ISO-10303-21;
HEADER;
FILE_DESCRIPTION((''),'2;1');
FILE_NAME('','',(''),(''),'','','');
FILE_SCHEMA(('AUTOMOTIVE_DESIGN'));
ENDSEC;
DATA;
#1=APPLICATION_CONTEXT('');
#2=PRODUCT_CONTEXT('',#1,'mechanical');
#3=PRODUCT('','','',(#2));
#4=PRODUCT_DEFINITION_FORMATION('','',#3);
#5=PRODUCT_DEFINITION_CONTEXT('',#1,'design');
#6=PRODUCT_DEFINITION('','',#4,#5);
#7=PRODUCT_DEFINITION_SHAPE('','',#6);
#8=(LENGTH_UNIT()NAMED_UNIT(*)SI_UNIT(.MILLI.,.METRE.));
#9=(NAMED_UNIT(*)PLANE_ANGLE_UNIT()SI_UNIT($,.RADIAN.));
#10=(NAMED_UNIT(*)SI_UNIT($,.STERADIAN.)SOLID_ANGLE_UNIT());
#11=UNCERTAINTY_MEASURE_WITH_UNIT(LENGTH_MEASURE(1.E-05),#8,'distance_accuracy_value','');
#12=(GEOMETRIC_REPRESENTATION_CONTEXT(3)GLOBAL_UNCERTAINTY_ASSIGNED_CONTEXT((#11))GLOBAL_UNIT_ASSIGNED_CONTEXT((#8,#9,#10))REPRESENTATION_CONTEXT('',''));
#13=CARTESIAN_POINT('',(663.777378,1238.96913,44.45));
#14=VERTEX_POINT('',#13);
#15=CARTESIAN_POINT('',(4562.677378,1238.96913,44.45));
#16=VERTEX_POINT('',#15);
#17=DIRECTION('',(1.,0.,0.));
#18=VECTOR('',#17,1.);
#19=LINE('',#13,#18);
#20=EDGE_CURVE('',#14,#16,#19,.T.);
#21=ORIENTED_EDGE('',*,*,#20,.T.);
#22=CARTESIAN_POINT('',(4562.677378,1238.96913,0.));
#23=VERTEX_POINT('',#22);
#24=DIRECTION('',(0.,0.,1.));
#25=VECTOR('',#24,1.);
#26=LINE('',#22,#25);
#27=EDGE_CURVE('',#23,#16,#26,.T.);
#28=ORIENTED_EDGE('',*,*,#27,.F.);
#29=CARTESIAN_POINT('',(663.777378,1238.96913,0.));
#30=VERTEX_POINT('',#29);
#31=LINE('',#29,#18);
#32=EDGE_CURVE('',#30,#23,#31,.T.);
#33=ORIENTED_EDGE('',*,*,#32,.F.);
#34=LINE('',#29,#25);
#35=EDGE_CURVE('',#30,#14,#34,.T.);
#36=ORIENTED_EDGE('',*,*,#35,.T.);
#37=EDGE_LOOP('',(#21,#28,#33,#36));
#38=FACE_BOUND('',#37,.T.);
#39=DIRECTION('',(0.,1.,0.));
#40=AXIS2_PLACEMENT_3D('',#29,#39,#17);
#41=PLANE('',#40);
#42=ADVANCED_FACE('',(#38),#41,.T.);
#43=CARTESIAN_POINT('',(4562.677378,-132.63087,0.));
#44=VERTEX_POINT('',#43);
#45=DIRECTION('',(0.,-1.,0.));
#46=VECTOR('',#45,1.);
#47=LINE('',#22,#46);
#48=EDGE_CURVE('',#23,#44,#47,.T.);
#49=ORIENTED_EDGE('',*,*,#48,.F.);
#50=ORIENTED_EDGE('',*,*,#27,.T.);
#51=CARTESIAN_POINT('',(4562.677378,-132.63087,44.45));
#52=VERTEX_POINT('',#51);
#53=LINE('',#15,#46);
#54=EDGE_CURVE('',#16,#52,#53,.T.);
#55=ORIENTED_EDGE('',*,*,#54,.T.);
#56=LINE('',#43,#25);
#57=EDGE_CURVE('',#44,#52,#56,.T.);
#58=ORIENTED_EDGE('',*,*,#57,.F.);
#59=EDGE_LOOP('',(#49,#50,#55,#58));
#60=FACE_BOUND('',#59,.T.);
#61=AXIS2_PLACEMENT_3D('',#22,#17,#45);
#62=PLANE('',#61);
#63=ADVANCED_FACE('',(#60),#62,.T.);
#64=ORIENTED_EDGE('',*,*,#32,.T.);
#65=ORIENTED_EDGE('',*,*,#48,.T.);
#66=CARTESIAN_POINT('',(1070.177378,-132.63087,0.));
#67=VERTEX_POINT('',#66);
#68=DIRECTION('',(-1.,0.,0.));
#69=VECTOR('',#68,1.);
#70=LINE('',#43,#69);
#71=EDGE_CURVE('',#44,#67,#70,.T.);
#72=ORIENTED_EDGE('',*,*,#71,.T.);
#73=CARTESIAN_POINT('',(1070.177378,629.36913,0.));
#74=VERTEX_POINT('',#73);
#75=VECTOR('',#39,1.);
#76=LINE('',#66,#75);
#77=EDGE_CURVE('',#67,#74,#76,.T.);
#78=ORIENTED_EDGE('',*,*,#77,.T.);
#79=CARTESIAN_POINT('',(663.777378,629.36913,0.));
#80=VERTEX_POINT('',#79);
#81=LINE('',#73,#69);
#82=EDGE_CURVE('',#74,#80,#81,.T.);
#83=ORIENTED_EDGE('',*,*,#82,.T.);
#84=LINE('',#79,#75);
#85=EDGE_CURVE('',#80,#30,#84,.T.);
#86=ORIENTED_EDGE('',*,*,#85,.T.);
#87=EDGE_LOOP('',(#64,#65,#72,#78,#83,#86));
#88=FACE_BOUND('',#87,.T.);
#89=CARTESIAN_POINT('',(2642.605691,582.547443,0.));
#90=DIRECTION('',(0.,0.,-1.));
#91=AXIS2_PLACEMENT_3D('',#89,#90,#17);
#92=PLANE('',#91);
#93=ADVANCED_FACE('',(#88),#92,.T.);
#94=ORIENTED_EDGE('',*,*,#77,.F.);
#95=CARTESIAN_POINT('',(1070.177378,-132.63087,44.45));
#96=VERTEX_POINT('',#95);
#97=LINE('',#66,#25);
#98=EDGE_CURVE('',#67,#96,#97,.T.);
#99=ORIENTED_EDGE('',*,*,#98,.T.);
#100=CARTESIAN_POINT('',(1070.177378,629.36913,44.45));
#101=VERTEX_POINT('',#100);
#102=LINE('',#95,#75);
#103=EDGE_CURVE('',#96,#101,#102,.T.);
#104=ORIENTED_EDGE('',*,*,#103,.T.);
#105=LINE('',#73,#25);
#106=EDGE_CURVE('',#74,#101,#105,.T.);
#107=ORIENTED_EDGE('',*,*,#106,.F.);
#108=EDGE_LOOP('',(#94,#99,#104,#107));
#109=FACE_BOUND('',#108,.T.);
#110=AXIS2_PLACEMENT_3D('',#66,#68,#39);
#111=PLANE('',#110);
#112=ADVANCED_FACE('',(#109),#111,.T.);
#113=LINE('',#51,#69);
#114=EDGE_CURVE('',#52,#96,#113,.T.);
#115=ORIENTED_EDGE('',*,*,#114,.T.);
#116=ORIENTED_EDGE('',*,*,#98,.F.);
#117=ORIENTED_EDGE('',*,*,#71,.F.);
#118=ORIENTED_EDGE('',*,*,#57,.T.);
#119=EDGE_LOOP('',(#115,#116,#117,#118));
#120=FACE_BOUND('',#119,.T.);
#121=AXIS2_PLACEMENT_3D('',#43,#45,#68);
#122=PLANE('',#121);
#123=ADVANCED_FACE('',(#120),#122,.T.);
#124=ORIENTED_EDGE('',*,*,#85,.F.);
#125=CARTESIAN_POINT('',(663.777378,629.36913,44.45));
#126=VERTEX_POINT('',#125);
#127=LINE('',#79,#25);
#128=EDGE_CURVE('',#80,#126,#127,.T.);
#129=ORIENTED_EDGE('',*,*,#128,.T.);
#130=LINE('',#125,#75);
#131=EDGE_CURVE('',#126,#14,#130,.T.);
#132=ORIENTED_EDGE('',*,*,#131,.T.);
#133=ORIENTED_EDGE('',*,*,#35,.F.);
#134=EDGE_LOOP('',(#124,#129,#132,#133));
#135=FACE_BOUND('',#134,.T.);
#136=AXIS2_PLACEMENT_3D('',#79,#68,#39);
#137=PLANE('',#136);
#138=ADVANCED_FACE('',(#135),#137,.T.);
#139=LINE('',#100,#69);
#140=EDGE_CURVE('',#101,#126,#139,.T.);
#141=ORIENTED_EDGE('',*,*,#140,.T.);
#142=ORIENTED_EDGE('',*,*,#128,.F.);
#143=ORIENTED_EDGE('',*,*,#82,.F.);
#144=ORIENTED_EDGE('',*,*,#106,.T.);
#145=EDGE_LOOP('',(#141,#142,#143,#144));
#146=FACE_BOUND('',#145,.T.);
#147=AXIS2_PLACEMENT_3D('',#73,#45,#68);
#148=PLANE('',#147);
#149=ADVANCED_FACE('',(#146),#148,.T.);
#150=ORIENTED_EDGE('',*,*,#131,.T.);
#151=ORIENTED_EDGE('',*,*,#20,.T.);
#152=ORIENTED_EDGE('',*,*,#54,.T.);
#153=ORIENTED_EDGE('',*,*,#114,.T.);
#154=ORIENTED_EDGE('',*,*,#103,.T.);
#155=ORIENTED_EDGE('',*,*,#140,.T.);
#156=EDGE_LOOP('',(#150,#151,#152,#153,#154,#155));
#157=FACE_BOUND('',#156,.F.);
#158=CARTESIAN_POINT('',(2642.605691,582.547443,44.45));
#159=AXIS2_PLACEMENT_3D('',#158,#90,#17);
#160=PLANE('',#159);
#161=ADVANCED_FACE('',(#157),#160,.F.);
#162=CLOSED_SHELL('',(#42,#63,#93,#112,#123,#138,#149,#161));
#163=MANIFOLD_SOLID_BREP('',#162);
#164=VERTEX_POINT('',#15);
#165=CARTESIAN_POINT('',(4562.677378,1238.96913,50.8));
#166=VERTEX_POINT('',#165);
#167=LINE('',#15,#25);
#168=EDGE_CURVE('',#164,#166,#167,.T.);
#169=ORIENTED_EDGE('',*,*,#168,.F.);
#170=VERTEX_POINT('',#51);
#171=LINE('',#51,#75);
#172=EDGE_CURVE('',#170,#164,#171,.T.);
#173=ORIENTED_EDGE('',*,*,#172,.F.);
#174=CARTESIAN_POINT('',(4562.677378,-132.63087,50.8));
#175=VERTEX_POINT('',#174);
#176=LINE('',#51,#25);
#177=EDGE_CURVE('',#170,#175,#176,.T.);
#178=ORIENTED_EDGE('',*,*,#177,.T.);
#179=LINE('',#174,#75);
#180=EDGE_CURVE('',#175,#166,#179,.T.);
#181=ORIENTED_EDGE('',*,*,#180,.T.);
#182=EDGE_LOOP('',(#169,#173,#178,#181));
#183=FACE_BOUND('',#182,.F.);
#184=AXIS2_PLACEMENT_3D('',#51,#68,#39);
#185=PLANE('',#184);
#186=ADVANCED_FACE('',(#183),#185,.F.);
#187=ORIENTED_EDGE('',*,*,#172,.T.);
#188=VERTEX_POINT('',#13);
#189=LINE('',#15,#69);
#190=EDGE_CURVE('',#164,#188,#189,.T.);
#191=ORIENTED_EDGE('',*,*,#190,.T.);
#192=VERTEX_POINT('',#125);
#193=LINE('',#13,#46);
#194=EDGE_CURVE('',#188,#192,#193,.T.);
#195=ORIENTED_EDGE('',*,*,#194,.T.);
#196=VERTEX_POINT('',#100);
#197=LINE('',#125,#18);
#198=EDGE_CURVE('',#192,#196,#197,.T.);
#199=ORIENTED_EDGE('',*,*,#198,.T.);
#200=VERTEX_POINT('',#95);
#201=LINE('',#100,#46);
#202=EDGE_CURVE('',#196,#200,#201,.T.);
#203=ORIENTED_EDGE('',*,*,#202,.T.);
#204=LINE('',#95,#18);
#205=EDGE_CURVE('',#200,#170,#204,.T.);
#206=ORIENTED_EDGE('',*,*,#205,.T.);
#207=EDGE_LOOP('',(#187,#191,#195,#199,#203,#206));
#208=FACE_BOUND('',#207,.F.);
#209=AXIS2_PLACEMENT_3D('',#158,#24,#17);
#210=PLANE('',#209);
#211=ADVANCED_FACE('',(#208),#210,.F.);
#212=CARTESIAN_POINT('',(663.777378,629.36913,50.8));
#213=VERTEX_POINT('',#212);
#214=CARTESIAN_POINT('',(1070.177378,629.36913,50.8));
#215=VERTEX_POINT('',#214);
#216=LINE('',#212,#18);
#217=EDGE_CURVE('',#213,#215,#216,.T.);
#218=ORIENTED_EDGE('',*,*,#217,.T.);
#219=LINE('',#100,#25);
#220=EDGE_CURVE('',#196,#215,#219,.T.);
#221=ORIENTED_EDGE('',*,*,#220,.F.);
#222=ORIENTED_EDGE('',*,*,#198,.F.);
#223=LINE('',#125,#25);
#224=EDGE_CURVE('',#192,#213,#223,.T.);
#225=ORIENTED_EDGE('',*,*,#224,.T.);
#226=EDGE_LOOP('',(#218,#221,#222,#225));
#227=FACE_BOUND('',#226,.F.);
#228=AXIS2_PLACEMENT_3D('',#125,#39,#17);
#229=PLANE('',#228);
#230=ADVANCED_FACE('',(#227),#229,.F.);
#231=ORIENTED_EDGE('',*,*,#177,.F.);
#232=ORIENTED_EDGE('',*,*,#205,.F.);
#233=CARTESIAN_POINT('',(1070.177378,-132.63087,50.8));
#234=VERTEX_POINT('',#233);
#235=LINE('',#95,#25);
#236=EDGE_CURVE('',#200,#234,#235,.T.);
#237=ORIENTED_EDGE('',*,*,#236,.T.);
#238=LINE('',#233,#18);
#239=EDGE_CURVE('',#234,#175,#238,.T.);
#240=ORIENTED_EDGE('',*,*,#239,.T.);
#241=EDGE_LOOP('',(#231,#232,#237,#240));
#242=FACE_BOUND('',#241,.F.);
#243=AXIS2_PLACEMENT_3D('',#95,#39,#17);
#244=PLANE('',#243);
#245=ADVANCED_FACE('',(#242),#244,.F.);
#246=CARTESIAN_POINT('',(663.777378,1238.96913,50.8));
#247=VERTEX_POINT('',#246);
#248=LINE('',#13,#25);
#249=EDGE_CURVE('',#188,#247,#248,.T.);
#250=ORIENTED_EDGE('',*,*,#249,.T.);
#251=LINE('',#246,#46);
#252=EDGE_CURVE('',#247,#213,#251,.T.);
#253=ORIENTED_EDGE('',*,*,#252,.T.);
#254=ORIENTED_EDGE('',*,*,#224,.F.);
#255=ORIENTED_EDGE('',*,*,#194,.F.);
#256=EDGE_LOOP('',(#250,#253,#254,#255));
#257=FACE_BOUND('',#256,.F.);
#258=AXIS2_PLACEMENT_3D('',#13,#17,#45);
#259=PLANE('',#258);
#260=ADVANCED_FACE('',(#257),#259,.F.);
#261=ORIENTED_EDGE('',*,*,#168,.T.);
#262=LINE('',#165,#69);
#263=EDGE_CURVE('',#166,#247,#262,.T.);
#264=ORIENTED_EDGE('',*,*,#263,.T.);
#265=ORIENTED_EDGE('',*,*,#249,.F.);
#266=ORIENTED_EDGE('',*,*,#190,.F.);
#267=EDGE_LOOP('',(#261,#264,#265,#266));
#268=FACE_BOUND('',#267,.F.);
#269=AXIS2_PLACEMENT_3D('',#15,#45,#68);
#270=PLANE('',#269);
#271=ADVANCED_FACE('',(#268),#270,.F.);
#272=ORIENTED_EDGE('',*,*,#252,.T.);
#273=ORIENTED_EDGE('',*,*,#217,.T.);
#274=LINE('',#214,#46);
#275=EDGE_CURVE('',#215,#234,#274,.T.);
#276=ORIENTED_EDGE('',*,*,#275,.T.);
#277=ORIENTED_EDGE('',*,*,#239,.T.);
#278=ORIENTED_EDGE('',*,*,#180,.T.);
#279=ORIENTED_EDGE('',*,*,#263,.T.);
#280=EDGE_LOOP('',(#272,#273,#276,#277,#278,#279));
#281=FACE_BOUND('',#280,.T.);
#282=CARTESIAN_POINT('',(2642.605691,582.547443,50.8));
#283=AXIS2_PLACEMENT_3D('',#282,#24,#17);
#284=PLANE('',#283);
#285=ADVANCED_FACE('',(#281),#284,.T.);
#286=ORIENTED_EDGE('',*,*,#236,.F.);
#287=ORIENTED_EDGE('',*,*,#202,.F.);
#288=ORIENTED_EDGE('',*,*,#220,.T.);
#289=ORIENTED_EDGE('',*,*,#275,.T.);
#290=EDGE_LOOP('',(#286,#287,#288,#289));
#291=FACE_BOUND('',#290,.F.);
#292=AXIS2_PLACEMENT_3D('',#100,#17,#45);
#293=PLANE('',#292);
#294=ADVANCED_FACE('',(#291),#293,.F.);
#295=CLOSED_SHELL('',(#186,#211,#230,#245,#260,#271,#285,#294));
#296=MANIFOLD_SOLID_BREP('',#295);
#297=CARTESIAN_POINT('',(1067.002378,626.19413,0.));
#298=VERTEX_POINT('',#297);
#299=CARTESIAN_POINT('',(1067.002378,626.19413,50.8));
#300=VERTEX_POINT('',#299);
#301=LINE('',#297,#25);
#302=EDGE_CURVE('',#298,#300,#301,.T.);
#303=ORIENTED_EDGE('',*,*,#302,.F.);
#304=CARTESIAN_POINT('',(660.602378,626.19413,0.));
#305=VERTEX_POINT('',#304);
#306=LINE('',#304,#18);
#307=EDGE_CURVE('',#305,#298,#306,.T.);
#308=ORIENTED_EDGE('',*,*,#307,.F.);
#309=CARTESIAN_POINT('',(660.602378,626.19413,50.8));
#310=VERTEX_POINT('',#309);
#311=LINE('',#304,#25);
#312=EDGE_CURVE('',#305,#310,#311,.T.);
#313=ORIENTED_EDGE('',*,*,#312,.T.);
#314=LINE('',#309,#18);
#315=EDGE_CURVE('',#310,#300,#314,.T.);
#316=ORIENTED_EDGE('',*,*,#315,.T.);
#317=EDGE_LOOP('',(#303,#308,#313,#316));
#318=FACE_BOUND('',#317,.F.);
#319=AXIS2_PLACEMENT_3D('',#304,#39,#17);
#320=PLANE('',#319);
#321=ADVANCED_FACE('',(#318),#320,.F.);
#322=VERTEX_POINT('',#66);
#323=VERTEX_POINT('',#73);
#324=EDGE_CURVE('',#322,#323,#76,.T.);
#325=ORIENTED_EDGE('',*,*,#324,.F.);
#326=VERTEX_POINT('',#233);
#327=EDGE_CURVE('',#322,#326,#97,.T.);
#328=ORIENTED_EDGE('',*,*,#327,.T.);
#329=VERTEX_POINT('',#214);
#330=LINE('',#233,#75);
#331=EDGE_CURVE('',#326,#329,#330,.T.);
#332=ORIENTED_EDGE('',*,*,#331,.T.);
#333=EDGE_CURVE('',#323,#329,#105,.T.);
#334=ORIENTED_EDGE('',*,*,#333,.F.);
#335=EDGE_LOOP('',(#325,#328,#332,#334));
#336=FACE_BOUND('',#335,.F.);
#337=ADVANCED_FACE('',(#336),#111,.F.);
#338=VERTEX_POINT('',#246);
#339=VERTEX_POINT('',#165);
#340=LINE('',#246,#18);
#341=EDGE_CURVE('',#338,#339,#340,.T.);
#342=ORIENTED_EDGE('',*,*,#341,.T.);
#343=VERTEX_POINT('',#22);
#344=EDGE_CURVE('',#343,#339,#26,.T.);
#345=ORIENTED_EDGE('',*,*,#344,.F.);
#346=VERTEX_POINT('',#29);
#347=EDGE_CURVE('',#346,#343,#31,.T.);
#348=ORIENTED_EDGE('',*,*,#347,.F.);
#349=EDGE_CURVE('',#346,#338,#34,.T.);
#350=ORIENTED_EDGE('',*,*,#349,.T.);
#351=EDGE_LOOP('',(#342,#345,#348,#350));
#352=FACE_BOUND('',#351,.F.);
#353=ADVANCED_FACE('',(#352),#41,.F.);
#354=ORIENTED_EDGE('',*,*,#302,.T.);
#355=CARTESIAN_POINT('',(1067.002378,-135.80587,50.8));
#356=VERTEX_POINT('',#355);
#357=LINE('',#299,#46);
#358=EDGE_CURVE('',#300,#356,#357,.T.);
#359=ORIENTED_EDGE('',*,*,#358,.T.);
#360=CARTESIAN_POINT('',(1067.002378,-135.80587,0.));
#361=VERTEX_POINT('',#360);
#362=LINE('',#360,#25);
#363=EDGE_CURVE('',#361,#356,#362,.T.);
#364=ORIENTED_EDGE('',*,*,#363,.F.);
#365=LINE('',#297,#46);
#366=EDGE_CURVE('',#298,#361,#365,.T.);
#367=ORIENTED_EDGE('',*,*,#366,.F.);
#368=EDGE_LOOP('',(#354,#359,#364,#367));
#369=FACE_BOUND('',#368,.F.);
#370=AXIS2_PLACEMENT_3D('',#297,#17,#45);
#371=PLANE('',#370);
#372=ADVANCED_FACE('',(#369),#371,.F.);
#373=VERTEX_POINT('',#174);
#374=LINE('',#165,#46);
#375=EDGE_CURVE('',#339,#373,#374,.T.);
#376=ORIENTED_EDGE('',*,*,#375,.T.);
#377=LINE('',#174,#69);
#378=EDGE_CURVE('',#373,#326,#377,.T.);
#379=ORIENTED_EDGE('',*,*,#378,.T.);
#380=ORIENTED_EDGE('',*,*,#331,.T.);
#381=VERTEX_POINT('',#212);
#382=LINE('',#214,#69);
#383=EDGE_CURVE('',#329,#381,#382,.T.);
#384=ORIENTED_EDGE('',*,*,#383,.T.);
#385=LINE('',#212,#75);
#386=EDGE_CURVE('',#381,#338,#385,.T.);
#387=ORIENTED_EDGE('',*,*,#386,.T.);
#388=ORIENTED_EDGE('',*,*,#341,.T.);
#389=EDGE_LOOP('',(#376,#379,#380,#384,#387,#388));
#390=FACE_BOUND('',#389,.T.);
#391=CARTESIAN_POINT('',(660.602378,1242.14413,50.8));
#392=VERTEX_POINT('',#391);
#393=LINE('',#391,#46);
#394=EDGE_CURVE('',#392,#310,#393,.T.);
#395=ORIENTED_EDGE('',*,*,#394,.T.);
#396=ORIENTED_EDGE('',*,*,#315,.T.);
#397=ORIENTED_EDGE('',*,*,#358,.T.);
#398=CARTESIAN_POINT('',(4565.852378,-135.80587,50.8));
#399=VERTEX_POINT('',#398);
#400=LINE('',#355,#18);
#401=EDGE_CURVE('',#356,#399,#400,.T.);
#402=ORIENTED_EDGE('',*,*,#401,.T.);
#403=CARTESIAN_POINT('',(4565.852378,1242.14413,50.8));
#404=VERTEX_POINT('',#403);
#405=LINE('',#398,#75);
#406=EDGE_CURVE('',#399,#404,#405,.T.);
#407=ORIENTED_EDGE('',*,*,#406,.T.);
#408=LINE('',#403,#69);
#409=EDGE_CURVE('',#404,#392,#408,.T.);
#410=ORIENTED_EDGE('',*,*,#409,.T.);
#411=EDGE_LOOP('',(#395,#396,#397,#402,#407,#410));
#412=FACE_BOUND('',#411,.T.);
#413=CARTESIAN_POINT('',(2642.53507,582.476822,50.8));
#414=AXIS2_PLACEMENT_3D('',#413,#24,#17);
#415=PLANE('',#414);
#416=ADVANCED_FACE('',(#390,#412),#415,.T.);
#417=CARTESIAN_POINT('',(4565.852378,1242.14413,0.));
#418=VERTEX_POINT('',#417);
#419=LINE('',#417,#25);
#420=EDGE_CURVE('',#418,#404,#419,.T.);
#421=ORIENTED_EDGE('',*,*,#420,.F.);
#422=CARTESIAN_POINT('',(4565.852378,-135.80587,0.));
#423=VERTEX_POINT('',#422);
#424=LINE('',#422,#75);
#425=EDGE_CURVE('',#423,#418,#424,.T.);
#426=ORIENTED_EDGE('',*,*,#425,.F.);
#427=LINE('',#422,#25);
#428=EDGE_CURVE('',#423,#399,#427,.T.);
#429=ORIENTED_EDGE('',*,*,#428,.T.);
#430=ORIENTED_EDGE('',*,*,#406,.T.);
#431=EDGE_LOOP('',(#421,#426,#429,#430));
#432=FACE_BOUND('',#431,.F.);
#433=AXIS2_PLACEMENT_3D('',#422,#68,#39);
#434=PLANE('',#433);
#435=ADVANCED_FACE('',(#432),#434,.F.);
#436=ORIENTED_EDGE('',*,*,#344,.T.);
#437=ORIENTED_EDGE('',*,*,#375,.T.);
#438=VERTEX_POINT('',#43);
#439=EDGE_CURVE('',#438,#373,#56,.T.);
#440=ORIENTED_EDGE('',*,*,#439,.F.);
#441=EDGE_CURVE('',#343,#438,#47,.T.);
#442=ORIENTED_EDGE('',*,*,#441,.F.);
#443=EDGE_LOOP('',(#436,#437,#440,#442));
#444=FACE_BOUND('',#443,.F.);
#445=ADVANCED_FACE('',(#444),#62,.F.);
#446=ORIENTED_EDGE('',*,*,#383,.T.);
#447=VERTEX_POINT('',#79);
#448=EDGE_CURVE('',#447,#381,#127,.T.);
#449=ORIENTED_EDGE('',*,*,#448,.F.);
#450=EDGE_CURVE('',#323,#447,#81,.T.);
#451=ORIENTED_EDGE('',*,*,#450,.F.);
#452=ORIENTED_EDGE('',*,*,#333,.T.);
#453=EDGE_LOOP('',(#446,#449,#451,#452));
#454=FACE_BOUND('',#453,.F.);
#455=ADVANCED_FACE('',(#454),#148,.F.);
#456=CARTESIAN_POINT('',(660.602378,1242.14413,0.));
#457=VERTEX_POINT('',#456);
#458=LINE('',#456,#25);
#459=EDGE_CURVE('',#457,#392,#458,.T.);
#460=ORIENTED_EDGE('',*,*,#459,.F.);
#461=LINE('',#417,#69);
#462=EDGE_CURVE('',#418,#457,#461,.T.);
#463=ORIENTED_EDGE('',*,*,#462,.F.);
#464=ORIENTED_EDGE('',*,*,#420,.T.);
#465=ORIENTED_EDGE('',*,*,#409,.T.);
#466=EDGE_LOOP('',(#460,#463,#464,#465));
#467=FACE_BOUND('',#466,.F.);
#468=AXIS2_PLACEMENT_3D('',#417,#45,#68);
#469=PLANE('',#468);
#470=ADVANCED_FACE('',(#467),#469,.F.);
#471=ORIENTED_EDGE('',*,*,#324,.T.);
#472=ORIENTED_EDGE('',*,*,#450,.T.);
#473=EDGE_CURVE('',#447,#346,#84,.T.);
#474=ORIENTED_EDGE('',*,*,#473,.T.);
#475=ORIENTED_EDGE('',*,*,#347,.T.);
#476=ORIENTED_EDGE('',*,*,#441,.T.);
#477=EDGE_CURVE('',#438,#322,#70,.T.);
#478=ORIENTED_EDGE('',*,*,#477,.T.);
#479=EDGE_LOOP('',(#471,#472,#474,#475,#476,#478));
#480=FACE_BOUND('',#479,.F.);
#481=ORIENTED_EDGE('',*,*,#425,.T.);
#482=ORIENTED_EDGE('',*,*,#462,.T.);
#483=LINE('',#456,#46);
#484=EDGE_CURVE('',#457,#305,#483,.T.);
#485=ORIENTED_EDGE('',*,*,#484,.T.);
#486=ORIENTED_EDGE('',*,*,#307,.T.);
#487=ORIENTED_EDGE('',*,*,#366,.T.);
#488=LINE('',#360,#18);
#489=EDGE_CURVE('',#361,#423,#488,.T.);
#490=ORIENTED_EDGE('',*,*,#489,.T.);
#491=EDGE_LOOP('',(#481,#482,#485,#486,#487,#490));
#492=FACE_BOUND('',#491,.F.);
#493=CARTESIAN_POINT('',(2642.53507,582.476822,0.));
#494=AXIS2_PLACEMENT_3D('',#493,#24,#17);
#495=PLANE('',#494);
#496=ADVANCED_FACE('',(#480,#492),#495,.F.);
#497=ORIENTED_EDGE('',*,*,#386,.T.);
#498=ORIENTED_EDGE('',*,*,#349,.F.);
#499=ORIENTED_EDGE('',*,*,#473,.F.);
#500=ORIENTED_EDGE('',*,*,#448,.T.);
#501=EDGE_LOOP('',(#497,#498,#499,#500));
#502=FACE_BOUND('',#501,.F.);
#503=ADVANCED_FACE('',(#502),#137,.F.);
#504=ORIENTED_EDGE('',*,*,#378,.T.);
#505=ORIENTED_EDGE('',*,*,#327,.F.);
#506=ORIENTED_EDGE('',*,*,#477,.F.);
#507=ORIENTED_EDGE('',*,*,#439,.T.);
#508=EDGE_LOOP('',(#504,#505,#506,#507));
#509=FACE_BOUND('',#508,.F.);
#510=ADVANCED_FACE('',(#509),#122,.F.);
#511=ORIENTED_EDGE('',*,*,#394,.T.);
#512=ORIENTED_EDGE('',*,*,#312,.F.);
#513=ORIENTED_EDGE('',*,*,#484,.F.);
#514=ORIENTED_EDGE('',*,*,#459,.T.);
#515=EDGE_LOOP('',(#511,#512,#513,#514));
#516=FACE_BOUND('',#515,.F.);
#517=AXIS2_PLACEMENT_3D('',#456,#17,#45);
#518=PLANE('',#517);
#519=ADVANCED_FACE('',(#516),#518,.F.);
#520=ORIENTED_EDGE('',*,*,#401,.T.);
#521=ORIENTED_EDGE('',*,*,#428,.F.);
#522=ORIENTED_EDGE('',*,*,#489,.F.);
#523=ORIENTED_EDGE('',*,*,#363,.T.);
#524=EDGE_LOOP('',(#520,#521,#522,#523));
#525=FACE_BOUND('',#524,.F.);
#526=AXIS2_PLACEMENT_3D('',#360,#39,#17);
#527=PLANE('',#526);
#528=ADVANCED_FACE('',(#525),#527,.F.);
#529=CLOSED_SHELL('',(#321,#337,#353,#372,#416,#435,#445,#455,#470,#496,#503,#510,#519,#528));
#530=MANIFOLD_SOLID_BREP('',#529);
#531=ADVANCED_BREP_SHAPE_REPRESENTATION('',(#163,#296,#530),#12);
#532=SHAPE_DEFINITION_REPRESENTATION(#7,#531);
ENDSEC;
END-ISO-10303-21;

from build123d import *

# Parameters (mm, degrees)
F1_DEPTH = 50.8
F3_DEPTH = 44.45
F5_DEPTH = 6.35


with BuildPart() as f1:
    # F0 (on Top) → F1 (new body)
    with BuildSketch(Plane.XY):
        Polygon((660.602378, 1242.14413), (660.602378, 626.19413), (1067.002378, 626.19413), (1067.002378, -135.80587), (4565.852378, -135.80587), (4565.852378, 1242.14413), align=None)
        Polygon((4562.677378, -132.63087), (1070.177378, -132.63087), (1070.177378, 629.36913), (663.777378, 629.36913), (663.777378, 1238.96913), (4562.677378, 1238.96913), align=None, mode=Mode.SUBTRACT)
    extrude(amount=F1_DEPTH)


with BuildPart() as f3:
    # F2 (on face) → F3 (new body)
    with BuildSketch(Plane(origin=(0, 0, 0), x_dir=(1, 0, 0), z_dir=(0, 0, -1))):
        Polygon((1070.177378, -629.36913), (663.777378, -629.36913), (663.777378, -1238.96913), (4562.677378, -1238.96913), (4562.677378, 132.63087), (1070.177378, 132.63087), align=None)
    extrude(amount=-F3_DEPTH)


with BuildPart() as f5:
    # F4 (on face) → F5 (new body)
    with BuildSketch(Plane.XY.offset(44.45)):
        Polygon((4562.677378, 1238.96913), (663.777378, 1238.96913), (663.777378, 629.36913), (1070.177378, 629.36913), (1070.177378, -132.63087), (4562.677378, -132.63087), align=None)
    extrude(amount=F5_DEPTH)


solid = Compound([f1.part, f3.part, f5.part])
